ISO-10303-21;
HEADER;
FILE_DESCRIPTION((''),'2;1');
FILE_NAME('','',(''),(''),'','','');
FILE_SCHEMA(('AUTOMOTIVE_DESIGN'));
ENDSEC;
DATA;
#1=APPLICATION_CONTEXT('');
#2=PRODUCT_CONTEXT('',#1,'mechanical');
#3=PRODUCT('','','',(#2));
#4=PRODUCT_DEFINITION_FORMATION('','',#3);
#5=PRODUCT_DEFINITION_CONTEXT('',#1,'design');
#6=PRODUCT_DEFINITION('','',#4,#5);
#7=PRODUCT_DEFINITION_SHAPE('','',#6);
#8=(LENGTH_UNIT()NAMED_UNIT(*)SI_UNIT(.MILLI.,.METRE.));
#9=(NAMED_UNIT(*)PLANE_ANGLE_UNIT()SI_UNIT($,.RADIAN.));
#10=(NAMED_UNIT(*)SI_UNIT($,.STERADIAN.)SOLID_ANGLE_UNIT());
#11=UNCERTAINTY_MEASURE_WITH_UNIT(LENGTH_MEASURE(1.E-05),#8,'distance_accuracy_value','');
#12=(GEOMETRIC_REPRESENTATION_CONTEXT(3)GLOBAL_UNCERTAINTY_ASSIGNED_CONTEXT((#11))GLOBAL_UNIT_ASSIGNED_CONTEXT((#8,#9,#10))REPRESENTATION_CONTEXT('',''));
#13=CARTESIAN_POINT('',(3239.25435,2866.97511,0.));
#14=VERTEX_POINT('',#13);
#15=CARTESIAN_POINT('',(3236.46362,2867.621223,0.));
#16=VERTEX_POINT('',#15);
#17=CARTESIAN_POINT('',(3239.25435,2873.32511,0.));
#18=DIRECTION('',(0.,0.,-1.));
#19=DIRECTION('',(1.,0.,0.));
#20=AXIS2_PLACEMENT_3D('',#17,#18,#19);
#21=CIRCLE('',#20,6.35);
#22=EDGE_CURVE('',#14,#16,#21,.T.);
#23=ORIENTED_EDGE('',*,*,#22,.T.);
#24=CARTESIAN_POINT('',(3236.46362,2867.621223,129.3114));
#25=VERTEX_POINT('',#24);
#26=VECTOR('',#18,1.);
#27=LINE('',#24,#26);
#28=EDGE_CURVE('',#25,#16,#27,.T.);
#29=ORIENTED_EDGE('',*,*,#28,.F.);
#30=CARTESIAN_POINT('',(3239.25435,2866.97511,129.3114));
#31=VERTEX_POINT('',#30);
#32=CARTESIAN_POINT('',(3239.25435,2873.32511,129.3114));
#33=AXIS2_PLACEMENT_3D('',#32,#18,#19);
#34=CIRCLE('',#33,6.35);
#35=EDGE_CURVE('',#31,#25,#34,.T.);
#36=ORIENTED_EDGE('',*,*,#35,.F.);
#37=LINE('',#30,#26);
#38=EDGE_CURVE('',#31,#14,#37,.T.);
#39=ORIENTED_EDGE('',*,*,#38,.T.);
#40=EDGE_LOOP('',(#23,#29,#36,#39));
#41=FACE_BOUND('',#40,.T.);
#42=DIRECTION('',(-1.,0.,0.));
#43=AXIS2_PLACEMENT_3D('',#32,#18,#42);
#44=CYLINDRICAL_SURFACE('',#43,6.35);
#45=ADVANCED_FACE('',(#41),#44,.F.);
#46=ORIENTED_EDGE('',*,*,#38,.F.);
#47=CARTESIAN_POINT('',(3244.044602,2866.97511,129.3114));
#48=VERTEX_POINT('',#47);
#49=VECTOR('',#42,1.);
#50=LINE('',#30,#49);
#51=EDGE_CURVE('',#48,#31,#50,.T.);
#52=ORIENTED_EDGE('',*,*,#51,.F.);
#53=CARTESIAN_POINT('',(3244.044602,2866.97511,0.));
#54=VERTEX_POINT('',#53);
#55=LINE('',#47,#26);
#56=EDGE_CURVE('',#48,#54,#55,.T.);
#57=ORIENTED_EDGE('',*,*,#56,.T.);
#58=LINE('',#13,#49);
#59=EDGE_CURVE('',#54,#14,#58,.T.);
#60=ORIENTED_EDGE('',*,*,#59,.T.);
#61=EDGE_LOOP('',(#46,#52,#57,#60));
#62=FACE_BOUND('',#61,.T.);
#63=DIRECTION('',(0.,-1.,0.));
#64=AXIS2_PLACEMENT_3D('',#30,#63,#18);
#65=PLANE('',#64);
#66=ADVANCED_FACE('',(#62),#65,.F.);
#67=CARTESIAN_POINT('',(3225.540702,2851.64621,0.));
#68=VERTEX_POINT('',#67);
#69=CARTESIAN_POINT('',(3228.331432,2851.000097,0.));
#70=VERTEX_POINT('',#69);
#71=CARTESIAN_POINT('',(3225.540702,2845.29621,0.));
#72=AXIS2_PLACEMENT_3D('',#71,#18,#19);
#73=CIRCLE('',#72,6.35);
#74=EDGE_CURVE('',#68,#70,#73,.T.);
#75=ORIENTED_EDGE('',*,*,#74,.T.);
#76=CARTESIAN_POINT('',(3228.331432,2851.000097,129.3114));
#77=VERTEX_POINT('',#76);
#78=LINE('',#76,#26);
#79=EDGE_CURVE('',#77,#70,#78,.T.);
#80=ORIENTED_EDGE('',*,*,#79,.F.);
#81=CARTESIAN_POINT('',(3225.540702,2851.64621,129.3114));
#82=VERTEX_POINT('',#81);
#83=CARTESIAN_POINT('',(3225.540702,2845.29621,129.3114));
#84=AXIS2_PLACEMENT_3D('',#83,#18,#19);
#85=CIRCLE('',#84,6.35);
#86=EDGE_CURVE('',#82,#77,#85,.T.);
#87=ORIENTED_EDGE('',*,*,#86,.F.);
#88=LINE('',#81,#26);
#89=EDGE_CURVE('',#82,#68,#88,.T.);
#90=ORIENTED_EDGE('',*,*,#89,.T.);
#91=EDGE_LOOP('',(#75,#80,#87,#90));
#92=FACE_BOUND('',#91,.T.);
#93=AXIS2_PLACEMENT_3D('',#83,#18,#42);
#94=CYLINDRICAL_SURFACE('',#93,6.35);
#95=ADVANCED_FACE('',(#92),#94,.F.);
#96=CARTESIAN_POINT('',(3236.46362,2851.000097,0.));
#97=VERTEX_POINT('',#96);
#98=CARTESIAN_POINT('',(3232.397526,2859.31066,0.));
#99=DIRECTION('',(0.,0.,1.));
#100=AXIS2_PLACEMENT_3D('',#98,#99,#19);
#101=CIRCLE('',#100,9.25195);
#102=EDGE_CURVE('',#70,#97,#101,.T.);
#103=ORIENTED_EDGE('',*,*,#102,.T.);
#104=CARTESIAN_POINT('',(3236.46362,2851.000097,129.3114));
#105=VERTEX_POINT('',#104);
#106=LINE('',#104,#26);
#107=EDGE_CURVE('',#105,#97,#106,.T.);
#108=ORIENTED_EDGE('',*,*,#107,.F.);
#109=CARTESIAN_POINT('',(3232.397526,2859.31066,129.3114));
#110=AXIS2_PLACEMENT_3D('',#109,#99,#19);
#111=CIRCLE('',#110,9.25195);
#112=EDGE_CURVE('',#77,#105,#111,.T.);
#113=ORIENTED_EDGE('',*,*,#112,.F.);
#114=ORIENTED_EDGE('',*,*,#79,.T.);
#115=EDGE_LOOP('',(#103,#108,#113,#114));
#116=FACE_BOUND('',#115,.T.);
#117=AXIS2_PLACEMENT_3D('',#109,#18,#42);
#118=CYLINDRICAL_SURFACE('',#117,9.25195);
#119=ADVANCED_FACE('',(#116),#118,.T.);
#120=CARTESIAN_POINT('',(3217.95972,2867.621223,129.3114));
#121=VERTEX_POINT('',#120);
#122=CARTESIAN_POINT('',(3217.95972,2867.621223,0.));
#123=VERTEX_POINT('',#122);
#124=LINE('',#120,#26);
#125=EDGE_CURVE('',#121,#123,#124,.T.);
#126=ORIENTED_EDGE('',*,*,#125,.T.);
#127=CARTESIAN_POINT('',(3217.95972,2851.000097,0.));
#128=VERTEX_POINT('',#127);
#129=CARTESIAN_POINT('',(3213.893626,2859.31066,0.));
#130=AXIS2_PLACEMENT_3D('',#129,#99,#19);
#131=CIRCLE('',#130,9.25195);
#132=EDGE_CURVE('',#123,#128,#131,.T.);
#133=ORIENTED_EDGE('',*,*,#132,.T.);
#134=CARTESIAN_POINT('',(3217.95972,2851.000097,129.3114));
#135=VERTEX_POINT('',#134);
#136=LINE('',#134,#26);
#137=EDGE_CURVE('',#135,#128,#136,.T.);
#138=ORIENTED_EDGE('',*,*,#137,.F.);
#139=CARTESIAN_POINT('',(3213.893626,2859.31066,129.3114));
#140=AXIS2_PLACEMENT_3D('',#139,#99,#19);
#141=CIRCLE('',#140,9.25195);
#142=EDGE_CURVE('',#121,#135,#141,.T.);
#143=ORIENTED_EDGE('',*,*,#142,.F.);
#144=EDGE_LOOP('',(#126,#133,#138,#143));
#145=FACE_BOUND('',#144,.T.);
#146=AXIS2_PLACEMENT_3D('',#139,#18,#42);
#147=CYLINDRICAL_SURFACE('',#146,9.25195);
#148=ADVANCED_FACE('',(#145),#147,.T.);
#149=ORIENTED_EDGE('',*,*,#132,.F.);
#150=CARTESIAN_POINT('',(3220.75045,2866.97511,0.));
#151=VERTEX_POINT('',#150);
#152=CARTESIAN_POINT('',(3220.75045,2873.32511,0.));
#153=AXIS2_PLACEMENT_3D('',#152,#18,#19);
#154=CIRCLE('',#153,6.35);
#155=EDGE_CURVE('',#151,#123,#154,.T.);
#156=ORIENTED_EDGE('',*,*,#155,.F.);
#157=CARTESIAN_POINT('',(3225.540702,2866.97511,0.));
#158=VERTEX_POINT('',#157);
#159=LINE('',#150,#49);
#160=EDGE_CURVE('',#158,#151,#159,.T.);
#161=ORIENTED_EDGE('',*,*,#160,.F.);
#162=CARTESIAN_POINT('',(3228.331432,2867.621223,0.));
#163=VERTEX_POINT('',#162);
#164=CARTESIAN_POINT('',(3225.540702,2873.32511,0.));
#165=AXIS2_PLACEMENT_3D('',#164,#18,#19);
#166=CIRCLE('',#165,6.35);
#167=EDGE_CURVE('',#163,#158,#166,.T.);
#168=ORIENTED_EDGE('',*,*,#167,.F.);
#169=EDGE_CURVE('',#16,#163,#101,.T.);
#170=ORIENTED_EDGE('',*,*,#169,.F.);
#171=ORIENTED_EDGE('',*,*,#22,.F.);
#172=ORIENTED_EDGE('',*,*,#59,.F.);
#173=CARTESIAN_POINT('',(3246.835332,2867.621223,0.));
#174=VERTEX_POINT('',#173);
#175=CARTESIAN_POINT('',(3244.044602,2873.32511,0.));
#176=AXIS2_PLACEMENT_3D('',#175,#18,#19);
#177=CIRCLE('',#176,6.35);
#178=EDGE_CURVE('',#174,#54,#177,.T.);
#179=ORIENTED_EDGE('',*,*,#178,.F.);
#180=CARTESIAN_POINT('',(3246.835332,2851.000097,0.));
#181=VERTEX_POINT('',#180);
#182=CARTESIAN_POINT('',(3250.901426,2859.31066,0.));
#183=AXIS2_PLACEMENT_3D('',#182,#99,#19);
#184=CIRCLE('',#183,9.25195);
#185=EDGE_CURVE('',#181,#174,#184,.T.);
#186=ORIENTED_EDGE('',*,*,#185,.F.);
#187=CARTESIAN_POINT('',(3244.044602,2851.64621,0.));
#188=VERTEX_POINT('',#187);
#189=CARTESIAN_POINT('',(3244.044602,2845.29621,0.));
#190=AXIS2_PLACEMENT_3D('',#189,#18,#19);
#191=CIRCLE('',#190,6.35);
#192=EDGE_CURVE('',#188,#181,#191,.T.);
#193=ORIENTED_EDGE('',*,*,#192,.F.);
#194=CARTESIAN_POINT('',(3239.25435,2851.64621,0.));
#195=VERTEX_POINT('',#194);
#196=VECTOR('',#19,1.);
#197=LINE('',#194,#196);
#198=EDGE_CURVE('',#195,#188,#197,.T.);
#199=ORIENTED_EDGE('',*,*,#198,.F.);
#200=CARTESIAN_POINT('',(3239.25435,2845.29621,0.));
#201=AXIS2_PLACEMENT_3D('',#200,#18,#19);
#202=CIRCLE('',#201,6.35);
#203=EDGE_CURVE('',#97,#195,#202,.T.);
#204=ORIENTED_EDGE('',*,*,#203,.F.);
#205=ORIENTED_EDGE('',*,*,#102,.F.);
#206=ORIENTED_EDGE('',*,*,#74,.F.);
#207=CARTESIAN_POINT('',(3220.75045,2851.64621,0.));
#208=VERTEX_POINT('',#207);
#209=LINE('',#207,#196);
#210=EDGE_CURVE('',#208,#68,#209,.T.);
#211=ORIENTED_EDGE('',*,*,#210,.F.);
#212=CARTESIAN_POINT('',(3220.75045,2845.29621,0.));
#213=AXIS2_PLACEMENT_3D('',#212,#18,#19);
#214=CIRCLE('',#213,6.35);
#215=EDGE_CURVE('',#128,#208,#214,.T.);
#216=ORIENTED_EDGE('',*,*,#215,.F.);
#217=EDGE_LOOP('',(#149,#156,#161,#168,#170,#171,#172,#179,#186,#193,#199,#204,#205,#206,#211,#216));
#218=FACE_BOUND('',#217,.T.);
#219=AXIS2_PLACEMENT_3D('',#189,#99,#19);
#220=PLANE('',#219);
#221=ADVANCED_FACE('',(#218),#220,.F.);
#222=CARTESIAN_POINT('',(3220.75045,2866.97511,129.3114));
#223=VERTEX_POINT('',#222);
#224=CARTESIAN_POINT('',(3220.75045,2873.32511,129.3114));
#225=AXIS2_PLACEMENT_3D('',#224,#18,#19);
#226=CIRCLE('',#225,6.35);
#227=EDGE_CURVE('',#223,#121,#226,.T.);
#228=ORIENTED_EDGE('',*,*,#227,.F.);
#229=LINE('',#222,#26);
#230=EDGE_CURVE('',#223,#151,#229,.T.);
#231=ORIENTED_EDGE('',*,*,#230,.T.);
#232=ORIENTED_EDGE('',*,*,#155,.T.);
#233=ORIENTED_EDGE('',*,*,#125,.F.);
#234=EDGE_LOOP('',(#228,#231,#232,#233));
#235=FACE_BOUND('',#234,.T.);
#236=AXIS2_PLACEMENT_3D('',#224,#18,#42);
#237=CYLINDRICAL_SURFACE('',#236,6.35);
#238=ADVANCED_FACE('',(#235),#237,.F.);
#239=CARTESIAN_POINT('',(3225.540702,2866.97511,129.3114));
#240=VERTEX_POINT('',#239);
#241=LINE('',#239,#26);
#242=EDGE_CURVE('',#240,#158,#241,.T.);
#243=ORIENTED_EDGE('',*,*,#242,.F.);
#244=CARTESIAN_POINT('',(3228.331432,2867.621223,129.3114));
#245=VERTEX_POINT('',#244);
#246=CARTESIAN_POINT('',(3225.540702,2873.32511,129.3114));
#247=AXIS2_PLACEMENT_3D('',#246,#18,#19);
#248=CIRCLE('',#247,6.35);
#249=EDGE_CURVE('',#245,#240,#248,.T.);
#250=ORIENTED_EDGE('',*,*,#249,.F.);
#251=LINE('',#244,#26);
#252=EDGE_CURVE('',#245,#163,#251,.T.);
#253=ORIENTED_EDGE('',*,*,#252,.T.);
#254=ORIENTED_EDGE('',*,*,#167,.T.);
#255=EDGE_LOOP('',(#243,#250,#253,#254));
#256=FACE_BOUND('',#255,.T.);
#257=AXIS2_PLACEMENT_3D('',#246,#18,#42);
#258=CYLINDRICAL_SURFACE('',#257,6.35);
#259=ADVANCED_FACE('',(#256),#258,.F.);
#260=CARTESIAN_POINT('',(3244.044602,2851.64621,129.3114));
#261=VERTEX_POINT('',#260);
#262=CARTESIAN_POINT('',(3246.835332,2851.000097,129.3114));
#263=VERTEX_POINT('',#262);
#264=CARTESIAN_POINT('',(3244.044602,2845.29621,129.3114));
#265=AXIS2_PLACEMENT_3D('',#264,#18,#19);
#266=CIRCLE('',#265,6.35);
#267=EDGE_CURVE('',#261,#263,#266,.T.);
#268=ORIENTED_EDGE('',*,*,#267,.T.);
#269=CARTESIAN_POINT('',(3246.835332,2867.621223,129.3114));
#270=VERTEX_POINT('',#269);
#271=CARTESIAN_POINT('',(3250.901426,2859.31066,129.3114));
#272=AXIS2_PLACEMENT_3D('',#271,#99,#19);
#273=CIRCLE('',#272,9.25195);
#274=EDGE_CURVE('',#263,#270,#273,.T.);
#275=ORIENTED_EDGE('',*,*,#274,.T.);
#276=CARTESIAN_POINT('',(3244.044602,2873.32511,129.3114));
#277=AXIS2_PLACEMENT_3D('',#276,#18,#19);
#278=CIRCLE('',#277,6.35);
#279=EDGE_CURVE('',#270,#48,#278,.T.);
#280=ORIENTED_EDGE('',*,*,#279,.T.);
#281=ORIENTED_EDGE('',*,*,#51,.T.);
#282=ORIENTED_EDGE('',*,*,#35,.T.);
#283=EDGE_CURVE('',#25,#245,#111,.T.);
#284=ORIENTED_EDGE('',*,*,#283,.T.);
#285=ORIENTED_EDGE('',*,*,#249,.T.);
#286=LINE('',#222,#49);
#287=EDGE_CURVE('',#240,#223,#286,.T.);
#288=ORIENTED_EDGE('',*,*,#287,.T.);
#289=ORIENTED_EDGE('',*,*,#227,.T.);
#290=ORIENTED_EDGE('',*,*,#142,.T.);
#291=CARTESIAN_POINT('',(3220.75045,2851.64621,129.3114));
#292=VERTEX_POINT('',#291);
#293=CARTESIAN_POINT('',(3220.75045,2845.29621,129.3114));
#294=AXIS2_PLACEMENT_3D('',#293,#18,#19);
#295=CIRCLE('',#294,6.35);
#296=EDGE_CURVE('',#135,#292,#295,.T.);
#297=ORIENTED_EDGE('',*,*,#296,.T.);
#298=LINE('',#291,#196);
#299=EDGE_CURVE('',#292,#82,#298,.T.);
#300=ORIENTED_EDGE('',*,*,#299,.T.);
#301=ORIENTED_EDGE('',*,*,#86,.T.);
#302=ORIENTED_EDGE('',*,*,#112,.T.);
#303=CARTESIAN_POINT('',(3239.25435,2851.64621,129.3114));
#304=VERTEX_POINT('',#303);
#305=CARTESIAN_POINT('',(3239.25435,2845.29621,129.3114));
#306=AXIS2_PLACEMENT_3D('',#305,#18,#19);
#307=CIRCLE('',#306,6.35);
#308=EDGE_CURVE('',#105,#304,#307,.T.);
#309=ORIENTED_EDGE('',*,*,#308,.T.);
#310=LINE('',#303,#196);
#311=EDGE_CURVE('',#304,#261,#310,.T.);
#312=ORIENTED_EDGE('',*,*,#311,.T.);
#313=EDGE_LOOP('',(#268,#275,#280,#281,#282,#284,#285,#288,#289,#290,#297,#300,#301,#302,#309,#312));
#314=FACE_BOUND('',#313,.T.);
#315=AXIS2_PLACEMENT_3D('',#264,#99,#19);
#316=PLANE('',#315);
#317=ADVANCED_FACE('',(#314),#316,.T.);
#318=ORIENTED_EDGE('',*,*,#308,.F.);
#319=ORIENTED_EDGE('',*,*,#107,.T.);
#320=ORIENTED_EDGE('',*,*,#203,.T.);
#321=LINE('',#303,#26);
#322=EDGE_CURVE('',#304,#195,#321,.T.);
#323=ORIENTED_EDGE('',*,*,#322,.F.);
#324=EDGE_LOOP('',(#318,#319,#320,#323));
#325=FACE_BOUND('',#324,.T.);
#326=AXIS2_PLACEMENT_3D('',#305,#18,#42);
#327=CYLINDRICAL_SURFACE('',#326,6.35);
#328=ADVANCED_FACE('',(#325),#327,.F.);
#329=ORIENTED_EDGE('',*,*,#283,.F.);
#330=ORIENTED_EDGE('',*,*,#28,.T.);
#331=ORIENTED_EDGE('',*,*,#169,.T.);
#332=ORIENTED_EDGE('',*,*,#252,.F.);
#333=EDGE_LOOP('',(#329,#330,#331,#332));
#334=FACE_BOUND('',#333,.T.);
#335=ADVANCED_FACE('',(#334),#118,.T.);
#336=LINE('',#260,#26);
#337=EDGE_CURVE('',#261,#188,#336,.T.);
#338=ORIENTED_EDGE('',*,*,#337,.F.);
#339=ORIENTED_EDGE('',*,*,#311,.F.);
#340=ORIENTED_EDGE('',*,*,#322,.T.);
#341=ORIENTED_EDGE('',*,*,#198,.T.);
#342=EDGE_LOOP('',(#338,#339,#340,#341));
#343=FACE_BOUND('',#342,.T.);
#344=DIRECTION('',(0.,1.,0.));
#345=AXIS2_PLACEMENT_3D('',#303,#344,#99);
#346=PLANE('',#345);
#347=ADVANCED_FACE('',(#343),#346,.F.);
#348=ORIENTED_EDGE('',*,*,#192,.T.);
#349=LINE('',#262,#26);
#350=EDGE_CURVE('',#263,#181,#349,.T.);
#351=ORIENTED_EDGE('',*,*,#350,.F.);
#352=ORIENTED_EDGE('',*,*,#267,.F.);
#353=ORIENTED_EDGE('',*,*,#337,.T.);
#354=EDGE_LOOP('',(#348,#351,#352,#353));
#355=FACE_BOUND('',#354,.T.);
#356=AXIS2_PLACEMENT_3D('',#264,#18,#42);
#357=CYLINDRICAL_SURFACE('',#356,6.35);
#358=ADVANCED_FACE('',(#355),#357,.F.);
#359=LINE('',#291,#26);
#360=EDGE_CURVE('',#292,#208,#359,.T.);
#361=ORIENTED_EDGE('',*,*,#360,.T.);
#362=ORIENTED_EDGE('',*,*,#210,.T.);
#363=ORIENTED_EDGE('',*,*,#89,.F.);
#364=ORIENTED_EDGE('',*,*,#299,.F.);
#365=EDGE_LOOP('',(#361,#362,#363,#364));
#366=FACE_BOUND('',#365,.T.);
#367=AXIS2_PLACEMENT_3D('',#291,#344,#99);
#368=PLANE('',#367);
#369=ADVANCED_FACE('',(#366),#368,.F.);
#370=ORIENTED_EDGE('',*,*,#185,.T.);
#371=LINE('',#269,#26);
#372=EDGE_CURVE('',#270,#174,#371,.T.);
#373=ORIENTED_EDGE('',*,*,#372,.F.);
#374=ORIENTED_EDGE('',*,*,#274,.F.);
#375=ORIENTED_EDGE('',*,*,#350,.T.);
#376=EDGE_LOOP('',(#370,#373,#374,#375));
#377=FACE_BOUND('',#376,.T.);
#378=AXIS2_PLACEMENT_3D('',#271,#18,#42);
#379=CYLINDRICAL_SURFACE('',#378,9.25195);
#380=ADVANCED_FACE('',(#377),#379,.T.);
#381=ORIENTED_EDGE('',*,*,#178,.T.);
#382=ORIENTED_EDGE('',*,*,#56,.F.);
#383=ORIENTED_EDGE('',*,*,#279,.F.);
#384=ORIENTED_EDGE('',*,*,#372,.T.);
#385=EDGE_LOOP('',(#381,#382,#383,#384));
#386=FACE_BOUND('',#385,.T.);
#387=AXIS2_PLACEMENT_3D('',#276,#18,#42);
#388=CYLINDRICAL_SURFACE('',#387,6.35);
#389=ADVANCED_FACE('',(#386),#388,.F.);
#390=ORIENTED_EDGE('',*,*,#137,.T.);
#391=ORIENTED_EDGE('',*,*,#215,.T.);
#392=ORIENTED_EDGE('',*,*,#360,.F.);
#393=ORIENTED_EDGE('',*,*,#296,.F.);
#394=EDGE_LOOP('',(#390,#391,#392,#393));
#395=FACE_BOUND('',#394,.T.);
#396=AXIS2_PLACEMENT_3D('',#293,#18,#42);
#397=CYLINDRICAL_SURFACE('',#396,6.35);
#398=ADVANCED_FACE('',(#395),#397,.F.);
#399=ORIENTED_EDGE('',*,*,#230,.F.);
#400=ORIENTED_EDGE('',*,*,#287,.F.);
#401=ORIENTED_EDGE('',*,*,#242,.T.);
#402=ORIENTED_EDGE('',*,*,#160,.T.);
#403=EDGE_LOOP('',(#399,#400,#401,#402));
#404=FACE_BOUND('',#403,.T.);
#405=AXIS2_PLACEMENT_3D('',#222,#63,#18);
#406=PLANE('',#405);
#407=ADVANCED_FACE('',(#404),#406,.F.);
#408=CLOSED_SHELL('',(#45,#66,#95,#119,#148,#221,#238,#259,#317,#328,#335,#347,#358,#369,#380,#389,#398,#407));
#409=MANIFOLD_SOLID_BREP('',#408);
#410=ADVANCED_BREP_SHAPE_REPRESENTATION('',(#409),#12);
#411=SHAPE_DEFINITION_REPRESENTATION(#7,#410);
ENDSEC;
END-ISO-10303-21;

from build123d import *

# Parameters (mm, degrees)
BOSS_EXTRUDE1_DEPTH = 129.3114


with BuildPart() as part:
    # Sketch1 → Boss-Extrude1 (new body)
    with BuildSketch(Plane.XY):
        with BuildLine():
            Line((3220.750449704, 2866.97511019), (3225.540701758, 2866.97511019))
            ThreePointArc((3225.540701758, 2866.97511019), (3226.972975907, 2867.138746899), (3228.331431905, 2867.621223336))
            ThreePointArc((3228.331431905, 2867.621223336), (3232.397525731, 2868.56261019), (3236.463619556, 2867.621223336))
            ThreePointArc((3236.463619556, 2867.621223336), (3237.822075555, 2867.138746899), (3239.254349704, 2866.97511019))
            Line((3239.254349704, 2866.97511019), (3244.044601758, 2866.97511019))
            ThreePointArc((3244.044601758, 2866.97511019), (3245.476875907, 2867.138746899), (3246.835331905, 2867.621223336))
            ThreePointArc((3246.835331905, 2867.621223336), (3260.153375731, 2859.31066019), (3246.835331905, 2851.000097044))
            ThreePointArc((3246.835331905, 2851.000097044), (3245.476875907, 2851.48257348), (3244.044601758, 2851.64621019))
            Line((3244.044601758, 2851.64621019), (3239.254349704, 2851.64621019))
            ThreePointArc((3239.254349704, 2851.64621019), (3237.822075555, 2851.48257348), (3236.463619556, 2851.000097044))
            ThreePointArc((3236.463619556, 2851.000097044), (3232.397525731, 2850.05871019), (3228.331431905, 2851.000097044))
            ThreePointArc((3228.331431905, 2851.000097044), (3226.972975907, 2851.48257348), (3225.540701758, 2851.64621019))
            Line((3225.540701758, 2851.64621019), (3220.750449704, 2851.64621019))
            ThreePointArc((3220.750449704, 2851.64621019), (3219.318175555, 2851.48257348), (3217.959719556, 2851.000097044))
            ThreePointArc((3217.959719556, 2851.000097044), (3204.641675731, 2859.31066019), (3217.959719556, 2867.621223336))
            ThreePointArc((3217.959719556, 2867.621223336), (3219.318175555, 2867.138746899), (3220.750449704, 2866.97511019))
        make_face()
    extrude(amount=BOSS_EXTRUDE1_DEPTH)


solid = part.part
